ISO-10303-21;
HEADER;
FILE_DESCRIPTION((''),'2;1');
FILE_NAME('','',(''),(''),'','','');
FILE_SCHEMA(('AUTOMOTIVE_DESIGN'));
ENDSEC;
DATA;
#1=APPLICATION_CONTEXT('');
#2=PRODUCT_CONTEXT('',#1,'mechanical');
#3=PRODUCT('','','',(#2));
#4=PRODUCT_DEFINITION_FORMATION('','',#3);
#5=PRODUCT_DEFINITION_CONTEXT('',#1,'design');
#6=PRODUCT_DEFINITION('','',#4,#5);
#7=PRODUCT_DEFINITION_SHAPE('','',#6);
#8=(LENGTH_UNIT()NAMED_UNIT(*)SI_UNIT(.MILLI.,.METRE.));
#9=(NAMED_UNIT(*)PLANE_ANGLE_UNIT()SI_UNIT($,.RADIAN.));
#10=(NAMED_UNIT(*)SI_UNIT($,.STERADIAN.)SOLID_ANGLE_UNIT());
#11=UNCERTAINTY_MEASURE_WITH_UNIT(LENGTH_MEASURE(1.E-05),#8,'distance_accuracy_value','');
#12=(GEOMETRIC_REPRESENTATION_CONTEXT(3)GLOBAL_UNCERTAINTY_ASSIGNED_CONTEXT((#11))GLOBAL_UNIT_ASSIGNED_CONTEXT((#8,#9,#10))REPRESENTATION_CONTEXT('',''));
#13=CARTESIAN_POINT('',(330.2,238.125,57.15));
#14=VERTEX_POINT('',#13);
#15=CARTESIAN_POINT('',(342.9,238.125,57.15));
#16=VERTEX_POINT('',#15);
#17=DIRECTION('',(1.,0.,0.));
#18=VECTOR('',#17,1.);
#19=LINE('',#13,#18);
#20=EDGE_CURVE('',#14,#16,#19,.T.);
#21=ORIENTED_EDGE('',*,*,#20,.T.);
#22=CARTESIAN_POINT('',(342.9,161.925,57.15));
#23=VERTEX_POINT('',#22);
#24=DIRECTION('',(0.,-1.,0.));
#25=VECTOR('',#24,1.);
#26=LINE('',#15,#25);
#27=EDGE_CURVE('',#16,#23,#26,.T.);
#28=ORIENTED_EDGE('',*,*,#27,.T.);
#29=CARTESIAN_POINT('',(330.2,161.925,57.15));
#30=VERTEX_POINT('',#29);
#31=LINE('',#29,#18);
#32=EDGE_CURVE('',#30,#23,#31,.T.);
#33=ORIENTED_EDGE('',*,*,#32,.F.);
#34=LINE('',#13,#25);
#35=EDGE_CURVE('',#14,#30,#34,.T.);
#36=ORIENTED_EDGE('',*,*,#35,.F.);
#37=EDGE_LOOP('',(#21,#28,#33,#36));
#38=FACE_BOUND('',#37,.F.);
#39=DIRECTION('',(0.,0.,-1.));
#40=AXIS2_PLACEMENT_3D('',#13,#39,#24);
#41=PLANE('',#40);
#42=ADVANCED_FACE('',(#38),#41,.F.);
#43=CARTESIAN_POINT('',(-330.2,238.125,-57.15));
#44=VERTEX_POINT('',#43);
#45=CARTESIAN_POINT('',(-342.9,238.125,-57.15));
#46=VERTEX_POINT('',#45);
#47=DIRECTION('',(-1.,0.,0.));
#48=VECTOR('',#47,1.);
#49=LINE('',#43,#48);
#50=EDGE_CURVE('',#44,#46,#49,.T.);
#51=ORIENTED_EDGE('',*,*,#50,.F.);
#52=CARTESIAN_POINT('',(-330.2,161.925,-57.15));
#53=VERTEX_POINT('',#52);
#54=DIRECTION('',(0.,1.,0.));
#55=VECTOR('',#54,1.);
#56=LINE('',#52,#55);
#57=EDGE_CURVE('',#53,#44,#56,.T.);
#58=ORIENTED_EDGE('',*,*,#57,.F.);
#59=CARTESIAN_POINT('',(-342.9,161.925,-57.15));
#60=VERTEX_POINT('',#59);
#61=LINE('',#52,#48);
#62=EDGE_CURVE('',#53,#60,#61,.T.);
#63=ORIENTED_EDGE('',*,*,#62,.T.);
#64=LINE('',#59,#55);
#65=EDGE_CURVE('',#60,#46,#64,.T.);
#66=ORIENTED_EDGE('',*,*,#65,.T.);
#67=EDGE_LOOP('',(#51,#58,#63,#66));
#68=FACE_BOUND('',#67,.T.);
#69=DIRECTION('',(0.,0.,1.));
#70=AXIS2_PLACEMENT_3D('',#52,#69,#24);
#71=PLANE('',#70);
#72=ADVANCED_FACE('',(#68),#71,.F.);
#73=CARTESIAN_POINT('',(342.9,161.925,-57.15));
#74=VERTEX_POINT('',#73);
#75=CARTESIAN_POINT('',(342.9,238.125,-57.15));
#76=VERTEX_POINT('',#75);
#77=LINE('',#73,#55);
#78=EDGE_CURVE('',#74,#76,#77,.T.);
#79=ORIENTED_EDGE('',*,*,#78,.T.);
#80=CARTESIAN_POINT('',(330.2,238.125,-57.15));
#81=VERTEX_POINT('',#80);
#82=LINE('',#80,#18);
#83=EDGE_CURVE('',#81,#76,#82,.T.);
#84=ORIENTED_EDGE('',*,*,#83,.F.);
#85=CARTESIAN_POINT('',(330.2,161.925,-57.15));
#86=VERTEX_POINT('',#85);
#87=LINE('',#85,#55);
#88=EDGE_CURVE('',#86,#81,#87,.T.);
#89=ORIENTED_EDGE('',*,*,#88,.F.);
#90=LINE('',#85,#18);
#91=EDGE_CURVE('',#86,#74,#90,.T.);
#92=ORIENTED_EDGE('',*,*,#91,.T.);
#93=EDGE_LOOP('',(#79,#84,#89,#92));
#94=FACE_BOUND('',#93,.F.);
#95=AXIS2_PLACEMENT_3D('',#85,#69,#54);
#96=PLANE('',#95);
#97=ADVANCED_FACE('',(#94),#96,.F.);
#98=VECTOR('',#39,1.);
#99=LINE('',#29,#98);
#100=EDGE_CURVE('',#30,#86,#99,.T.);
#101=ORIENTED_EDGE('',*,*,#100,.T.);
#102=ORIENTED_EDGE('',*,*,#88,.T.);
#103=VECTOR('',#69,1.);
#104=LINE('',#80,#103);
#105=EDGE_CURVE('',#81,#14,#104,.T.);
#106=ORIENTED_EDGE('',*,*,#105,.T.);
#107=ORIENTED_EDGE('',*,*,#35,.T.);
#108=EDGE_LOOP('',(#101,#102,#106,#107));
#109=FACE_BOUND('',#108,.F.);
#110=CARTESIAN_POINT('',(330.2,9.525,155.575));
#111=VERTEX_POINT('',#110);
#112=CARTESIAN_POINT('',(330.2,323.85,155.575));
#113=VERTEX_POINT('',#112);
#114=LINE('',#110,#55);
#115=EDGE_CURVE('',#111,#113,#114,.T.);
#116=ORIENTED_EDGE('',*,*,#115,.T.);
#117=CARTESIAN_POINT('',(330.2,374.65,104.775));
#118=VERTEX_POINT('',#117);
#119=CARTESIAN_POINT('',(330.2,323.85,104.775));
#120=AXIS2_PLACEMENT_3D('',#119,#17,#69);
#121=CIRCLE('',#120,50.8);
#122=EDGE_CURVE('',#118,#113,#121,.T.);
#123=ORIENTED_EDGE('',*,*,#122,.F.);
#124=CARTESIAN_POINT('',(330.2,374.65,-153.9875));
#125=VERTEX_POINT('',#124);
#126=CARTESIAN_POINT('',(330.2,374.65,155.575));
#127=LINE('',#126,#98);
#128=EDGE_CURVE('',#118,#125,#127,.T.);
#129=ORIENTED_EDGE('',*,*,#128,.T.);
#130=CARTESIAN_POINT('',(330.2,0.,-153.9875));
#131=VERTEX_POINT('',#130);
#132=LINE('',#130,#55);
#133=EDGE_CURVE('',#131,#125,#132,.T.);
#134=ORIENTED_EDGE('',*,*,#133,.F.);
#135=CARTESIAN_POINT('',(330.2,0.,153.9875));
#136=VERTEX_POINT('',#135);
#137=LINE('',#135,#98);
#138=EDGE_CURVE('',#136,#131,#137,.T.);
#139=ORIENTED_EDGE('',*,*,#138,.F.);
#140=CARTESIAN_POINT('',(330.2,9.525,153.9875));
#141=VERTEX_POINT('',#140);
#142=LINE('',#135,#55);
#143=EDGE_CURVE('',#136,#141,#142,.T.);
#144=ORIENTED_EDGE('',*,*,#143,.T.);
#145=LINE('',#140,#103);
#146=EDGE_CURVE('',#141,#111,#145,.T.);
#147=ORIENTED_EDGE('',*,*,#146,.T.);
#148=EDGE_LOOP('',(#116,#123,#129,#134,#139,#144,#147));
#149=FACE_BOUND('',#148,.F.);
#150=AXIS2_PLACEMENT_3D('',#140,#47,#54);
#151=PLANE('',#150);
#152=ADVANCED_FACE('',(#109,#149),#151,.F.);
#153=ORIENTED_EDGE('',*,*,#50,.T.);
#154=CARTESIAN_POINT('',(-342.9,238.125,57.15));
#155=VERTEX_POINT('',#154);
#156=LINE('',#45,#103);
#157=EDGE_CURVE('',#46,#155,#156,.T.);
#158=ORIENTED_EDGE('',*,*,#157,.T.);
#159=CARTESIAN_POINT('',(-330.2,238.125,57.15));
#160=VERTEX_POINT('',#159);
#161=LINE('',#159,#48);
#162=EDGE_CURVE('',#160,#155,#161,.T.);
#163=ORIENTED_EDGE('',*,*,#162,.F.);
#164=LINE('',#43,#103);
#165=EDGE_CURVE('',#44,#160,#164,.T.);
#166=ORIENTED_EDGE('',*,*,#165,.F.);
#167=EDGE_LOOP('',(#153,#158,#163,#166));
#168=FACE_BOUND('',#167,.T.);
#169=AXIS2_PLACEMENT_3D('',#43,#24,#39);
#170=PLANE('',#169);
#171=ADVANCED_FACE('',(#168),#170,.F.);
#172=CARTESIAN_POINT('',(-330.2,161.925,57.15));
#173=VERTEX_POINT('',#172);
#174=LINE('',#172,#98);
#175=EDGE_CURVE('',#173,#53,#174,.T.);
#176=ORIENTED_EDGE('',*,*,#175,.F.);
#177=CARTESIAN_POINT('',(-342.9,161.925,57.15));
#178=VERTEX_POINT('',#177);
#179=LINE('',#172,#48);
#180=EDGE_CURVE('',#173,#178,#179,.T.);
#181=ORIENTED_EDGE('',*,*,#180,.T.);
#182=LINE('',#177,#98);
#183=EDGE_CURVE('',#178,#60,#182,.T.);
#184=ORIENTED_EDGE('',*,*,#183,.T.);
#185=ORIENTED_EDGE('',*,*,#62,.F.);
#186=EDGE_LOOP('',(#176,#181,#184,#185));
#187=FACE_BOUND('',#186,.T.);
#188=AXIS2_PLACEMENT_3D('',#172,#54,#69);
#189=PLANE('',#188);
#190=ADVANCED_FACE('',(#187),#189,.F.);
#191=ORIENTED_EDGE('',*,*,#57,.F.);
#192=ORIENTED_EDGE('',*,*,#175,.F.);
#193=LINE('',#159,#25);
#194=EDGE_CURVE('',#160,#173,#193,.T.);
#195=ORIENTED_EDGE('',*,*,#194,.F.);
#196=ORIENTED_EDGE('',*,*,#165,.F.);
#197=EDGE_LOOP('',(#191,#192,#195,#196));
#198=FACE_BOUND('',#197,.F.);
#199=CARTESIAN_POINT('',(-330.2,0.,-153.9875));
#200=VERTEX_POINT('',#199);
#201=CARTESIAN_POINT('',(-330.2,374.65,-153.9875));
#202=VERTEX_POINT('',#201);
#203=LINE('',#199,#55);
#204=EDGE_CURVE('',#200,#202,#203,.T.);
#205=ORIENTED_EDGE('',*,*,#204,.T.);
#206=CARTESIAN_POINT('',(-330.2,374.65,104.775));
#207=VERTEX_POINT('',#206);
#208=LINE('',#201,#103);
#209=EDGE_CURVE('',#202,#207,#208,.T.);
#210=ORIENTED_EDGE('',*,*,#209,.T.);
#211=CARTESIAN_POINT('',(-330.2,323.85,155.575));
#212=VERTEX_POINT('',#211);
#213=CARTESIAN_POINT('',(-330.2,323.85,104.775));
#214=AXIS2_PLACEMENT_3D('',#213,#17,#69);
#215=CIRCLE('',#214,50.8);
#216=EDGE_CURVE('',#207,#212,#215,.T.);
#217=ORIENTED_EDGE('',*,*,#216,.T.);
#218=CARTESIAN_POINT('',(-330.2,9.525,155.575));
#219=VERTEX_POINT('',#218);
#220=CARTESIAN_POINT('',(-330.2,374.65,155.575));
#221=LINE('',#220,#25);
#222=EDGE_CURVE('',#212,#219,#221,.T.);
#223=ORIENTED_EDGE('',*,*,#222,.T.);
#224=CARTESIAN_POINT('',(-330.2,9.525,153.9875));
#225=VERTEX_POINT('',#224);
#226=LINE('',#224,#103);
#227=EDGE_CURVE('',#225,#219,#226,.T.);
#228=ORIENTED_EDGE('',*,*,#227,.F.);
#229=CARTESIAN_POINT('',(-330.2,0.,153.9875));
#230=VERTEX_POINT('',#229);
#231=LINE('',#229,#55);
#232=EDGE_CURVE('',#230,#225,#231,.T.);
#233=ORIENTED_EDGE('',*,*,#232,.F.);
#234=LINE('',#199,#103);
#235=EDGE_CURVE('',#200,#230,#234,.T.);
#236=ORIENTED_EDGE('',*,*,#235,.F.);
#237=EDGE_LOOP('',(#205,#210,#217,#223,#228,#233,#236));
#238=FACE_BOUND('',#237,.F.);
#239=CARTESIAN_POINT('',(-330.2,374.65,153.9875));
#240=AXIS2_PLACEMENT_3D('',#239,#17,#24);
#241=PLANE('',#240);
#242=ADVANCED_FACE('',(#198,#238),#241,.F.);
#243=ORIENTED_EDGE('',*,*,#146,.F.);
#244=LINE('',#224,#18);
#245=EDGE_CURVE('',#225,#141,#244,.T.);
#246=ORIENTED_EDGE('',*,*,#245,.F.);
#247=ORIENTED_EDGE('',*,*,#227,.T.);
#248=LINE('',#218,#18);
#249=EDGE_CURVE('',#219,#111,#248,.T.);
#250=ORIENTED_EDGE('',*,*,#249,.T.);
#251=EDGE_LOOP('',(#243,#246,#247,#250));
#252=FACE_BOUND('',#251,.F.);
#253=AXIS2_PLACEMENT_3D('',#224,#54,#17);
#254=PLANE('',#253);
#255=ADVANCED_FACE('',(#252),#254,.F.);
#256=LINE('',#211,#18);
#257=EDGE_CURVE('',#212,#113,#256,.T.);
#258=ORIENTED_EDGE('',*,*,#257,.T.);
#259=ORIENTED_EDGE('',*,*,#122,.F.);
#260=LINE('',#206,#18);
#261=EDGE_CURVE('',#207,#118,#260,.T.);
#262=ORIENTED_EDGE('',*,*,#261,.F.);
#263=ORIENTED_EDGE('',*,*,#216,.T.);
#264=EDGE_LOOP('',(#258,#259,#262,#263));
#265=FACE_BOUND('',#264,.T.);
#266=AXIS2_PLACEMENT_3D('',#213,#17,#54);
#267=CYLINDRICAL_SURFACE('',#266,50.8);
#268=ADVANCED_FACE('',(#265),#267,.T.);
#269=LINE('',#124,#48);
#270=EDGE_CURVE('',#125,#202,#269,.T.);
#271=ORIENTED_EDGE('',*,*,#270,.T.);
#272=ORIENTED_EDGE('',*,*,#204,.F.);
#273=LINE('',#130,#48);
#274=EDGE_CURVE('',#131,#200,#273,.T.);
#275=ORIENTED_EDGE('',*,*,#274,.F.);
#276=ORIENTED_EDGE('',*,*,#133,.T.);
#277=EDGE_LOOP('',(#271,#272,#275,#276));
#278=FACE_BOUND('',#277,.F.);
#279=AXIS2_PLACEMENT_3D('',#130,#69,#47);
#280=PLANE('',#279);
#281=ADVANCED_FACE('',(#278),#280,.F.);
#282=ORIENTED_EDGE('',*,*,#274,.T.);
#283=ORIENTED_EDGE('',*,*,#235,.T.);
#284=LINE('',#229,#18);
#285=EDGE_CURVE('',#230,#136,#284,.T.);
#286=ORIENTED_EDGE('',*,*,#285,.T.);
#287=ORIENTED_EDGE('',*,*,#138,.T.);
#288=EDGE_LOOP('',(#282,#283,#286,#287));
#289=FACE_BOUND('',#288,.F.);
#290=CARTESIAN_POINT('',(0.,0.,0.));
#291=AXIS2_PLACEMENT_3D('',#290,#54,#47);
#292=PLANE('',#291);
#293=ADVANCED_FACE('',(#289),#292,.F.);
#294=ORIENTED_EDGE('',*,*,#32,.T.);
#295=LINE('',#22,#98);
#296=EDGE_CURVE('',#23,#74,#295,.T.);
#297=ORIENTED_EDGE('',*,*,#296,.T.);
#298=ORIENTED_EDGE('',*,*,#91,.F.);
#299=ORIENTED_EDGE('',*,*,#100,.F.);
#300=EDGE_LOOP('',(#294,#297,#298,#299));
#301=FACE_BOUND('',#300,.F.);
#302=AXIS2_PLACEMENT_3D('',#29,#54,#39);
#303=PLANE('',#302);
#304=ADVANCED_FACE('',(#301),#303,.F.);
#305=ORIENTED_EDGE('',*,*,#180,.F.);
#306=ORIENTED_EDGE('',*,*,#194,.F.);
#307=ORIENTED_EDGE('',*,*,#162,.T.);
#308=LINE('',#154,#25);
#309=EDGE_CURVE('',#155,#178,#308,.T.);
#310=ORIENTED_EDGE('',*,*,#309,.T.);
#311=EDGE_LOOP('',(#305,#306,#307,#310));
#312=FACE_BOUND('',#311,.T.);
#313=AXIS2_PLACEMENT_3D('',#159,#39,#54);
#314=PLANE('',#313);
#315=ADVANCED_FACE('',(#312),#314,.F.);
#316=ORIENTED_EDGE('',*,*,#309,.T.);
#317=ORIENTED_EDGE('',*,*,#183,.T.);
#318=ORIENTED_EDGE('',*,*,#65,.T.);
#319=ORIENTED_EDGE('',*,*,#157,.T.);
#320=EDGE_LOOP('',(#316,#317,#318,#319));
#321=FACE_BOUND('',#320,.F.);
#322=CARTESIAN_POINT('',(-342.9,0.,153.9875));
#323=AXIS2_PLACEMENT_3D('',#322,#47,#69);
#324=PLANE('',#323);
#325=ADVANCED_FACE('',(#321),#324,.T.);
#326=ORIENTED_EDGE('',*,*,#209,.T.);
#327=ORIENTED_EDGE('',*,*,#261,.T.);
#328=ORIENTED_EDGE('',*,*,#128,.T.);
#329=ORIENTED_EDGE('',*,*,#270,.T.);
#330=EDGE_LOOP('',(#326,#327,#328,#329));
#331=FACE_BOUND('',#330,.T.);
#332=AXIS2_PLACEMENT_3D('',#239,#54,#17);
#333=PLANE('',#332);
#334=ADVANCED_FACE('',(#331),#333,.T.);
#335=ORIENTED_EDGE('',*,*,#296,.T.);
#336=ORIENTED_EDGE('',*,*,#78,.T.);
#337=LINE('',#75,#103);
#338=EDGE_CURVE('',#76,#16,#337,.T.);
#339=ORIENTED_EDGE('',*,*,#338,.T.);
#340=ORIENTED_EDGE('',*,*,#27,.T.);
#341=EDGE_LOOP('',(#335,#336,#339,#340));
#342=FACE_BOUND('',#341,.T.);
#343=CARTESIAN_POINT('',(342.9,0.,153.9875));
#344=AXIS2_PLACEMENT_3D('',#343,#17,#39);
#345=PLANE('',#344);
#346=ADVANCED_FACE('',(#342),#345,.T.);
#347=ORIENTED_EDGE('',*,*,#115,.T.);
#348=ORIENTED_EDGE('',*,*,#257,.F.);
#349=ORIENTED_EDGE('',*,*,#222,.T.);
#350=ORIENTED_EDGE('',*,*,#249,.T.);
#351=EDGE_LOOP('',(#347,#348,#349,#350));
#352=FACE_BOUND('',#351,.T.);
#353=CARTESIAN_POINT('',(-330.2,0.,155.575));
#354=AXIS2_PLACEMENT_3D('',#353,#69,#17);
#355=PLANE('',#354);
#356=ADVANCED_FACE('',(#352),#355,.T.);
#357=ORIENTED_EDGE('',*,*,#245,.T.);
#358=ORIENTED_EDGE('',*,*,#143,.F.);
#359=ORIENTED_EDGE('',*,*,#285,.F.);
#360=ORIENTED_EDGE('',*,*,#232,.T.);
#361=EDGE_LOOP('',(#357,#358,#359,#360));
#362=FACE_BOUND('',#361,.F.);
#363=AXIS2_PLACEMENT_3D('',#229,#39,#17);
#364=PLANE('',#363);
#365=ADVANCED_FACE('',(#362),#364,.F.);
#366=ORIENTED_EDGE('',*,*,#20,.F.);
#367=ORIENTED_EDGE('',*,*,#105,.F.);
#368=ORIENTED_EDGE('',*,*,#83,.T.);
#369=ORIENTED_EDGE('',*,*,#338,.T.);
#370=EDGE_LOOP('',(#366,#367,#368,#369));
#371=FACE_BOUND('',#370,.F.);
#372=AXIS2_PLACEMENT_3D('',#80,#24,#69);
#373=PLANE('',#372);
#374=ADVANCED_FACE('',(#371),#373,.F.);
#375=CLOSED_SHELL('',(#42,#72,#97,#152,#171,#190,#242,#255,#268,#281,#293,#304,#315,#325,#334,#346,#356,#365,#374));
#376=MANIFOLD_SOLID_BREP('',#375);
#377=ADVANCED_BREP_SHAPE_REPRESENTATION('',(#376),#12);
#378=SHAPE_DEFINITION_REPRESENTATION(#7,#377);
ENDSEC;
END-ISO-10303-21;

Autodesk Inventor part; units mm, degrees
ref_plane "YZ Plane" through (0, 0, 0) normal (1, 0, 0) x (0, 1, 0)
ref_plane "XZ Plane" through (0, 0, 0) normal (0, 1, 0) x (-1, 0, 0)
ref_plane "XY Plane" through (0, 0, 0) normal (0, 0, 1) x (1, 0, 0)
sketch "Sketch1" plane through (0, 0, 0) normal (0, 1, 0) x (-1, 0, 0)
  line L0 (330.2, 153.9875) -> (-330.2, 153.9875)
  line L1 (-330.2, 153.9875) -> (-330.2, -153.9875)
  line L2 (-330.2, -153.9875) -> (330.2, -153.9875)
  line L3 (330.2, -153.9875) -> (330.2, 153.9875)
  line L4 (330.2, 153.9875) -> (-330.2, -153.9875) construction
  line L5 (-330.2, 153.9875) -> (330.2, -153.9875) construction
  point P0 (0, 0)
  dimension "d0" = 660.4
  dimension "d1" = 307.975
extrude "Extrusion1" add sketch "Sketch1" along normal blind 374.65
sketch "Sketch4" plane through (330.2, 0, 153.9875) normal (1, 0, 0) x (0, 0, -1)
  line L0 (96.8375, 161.925) -> (211.1375, 161.925)
  line L1 (211.1375, 161.925) -> (211.1375, 238.125)
  line L2 (211.1375, 238.125) -> (96.8375, 238.125)
  line L3 (96.8375, 238.125) -> (96.8375, 161.925)
  point P0 (153.9875, 0)
  point P1 (153.9875, 161.925)
  dimension "d11" = 114.3
  dimension "d12" = 161.925
  dimension "d13" = 76.2
extrude "Extrusion4" add sketch "Sketch4" along normal blind 12.7
mirror "Mirror1" about plane through (0, 0, 0) normal (1, 0, 0) of "Extrusion4"
sketch "Sketch6" plane through (-330.2, 0, 153.9875) normal (0, 0, 1) x (1, 0, 0)
  line L0 (0, 374.65) -> (660.4, 374.65) projected
  line L1 (0, 374.65) -> (0, 9.525)
  line L2 (0, 9.525) -> (660.4, 9.525)
  line L3 (660.4, 9.525) -> (660.4, 374.65)
  point P0 (330.2, 0)
  dimension "d22" = 9.525
extrude "Extrusion6" add sketch "Sketch6" along normal blind 1.5875
fillet "Fillet1" radius 50.8 1 edges at (0, 374.65, 155.575)
properties part number "Blue tool box" material "Steel"
